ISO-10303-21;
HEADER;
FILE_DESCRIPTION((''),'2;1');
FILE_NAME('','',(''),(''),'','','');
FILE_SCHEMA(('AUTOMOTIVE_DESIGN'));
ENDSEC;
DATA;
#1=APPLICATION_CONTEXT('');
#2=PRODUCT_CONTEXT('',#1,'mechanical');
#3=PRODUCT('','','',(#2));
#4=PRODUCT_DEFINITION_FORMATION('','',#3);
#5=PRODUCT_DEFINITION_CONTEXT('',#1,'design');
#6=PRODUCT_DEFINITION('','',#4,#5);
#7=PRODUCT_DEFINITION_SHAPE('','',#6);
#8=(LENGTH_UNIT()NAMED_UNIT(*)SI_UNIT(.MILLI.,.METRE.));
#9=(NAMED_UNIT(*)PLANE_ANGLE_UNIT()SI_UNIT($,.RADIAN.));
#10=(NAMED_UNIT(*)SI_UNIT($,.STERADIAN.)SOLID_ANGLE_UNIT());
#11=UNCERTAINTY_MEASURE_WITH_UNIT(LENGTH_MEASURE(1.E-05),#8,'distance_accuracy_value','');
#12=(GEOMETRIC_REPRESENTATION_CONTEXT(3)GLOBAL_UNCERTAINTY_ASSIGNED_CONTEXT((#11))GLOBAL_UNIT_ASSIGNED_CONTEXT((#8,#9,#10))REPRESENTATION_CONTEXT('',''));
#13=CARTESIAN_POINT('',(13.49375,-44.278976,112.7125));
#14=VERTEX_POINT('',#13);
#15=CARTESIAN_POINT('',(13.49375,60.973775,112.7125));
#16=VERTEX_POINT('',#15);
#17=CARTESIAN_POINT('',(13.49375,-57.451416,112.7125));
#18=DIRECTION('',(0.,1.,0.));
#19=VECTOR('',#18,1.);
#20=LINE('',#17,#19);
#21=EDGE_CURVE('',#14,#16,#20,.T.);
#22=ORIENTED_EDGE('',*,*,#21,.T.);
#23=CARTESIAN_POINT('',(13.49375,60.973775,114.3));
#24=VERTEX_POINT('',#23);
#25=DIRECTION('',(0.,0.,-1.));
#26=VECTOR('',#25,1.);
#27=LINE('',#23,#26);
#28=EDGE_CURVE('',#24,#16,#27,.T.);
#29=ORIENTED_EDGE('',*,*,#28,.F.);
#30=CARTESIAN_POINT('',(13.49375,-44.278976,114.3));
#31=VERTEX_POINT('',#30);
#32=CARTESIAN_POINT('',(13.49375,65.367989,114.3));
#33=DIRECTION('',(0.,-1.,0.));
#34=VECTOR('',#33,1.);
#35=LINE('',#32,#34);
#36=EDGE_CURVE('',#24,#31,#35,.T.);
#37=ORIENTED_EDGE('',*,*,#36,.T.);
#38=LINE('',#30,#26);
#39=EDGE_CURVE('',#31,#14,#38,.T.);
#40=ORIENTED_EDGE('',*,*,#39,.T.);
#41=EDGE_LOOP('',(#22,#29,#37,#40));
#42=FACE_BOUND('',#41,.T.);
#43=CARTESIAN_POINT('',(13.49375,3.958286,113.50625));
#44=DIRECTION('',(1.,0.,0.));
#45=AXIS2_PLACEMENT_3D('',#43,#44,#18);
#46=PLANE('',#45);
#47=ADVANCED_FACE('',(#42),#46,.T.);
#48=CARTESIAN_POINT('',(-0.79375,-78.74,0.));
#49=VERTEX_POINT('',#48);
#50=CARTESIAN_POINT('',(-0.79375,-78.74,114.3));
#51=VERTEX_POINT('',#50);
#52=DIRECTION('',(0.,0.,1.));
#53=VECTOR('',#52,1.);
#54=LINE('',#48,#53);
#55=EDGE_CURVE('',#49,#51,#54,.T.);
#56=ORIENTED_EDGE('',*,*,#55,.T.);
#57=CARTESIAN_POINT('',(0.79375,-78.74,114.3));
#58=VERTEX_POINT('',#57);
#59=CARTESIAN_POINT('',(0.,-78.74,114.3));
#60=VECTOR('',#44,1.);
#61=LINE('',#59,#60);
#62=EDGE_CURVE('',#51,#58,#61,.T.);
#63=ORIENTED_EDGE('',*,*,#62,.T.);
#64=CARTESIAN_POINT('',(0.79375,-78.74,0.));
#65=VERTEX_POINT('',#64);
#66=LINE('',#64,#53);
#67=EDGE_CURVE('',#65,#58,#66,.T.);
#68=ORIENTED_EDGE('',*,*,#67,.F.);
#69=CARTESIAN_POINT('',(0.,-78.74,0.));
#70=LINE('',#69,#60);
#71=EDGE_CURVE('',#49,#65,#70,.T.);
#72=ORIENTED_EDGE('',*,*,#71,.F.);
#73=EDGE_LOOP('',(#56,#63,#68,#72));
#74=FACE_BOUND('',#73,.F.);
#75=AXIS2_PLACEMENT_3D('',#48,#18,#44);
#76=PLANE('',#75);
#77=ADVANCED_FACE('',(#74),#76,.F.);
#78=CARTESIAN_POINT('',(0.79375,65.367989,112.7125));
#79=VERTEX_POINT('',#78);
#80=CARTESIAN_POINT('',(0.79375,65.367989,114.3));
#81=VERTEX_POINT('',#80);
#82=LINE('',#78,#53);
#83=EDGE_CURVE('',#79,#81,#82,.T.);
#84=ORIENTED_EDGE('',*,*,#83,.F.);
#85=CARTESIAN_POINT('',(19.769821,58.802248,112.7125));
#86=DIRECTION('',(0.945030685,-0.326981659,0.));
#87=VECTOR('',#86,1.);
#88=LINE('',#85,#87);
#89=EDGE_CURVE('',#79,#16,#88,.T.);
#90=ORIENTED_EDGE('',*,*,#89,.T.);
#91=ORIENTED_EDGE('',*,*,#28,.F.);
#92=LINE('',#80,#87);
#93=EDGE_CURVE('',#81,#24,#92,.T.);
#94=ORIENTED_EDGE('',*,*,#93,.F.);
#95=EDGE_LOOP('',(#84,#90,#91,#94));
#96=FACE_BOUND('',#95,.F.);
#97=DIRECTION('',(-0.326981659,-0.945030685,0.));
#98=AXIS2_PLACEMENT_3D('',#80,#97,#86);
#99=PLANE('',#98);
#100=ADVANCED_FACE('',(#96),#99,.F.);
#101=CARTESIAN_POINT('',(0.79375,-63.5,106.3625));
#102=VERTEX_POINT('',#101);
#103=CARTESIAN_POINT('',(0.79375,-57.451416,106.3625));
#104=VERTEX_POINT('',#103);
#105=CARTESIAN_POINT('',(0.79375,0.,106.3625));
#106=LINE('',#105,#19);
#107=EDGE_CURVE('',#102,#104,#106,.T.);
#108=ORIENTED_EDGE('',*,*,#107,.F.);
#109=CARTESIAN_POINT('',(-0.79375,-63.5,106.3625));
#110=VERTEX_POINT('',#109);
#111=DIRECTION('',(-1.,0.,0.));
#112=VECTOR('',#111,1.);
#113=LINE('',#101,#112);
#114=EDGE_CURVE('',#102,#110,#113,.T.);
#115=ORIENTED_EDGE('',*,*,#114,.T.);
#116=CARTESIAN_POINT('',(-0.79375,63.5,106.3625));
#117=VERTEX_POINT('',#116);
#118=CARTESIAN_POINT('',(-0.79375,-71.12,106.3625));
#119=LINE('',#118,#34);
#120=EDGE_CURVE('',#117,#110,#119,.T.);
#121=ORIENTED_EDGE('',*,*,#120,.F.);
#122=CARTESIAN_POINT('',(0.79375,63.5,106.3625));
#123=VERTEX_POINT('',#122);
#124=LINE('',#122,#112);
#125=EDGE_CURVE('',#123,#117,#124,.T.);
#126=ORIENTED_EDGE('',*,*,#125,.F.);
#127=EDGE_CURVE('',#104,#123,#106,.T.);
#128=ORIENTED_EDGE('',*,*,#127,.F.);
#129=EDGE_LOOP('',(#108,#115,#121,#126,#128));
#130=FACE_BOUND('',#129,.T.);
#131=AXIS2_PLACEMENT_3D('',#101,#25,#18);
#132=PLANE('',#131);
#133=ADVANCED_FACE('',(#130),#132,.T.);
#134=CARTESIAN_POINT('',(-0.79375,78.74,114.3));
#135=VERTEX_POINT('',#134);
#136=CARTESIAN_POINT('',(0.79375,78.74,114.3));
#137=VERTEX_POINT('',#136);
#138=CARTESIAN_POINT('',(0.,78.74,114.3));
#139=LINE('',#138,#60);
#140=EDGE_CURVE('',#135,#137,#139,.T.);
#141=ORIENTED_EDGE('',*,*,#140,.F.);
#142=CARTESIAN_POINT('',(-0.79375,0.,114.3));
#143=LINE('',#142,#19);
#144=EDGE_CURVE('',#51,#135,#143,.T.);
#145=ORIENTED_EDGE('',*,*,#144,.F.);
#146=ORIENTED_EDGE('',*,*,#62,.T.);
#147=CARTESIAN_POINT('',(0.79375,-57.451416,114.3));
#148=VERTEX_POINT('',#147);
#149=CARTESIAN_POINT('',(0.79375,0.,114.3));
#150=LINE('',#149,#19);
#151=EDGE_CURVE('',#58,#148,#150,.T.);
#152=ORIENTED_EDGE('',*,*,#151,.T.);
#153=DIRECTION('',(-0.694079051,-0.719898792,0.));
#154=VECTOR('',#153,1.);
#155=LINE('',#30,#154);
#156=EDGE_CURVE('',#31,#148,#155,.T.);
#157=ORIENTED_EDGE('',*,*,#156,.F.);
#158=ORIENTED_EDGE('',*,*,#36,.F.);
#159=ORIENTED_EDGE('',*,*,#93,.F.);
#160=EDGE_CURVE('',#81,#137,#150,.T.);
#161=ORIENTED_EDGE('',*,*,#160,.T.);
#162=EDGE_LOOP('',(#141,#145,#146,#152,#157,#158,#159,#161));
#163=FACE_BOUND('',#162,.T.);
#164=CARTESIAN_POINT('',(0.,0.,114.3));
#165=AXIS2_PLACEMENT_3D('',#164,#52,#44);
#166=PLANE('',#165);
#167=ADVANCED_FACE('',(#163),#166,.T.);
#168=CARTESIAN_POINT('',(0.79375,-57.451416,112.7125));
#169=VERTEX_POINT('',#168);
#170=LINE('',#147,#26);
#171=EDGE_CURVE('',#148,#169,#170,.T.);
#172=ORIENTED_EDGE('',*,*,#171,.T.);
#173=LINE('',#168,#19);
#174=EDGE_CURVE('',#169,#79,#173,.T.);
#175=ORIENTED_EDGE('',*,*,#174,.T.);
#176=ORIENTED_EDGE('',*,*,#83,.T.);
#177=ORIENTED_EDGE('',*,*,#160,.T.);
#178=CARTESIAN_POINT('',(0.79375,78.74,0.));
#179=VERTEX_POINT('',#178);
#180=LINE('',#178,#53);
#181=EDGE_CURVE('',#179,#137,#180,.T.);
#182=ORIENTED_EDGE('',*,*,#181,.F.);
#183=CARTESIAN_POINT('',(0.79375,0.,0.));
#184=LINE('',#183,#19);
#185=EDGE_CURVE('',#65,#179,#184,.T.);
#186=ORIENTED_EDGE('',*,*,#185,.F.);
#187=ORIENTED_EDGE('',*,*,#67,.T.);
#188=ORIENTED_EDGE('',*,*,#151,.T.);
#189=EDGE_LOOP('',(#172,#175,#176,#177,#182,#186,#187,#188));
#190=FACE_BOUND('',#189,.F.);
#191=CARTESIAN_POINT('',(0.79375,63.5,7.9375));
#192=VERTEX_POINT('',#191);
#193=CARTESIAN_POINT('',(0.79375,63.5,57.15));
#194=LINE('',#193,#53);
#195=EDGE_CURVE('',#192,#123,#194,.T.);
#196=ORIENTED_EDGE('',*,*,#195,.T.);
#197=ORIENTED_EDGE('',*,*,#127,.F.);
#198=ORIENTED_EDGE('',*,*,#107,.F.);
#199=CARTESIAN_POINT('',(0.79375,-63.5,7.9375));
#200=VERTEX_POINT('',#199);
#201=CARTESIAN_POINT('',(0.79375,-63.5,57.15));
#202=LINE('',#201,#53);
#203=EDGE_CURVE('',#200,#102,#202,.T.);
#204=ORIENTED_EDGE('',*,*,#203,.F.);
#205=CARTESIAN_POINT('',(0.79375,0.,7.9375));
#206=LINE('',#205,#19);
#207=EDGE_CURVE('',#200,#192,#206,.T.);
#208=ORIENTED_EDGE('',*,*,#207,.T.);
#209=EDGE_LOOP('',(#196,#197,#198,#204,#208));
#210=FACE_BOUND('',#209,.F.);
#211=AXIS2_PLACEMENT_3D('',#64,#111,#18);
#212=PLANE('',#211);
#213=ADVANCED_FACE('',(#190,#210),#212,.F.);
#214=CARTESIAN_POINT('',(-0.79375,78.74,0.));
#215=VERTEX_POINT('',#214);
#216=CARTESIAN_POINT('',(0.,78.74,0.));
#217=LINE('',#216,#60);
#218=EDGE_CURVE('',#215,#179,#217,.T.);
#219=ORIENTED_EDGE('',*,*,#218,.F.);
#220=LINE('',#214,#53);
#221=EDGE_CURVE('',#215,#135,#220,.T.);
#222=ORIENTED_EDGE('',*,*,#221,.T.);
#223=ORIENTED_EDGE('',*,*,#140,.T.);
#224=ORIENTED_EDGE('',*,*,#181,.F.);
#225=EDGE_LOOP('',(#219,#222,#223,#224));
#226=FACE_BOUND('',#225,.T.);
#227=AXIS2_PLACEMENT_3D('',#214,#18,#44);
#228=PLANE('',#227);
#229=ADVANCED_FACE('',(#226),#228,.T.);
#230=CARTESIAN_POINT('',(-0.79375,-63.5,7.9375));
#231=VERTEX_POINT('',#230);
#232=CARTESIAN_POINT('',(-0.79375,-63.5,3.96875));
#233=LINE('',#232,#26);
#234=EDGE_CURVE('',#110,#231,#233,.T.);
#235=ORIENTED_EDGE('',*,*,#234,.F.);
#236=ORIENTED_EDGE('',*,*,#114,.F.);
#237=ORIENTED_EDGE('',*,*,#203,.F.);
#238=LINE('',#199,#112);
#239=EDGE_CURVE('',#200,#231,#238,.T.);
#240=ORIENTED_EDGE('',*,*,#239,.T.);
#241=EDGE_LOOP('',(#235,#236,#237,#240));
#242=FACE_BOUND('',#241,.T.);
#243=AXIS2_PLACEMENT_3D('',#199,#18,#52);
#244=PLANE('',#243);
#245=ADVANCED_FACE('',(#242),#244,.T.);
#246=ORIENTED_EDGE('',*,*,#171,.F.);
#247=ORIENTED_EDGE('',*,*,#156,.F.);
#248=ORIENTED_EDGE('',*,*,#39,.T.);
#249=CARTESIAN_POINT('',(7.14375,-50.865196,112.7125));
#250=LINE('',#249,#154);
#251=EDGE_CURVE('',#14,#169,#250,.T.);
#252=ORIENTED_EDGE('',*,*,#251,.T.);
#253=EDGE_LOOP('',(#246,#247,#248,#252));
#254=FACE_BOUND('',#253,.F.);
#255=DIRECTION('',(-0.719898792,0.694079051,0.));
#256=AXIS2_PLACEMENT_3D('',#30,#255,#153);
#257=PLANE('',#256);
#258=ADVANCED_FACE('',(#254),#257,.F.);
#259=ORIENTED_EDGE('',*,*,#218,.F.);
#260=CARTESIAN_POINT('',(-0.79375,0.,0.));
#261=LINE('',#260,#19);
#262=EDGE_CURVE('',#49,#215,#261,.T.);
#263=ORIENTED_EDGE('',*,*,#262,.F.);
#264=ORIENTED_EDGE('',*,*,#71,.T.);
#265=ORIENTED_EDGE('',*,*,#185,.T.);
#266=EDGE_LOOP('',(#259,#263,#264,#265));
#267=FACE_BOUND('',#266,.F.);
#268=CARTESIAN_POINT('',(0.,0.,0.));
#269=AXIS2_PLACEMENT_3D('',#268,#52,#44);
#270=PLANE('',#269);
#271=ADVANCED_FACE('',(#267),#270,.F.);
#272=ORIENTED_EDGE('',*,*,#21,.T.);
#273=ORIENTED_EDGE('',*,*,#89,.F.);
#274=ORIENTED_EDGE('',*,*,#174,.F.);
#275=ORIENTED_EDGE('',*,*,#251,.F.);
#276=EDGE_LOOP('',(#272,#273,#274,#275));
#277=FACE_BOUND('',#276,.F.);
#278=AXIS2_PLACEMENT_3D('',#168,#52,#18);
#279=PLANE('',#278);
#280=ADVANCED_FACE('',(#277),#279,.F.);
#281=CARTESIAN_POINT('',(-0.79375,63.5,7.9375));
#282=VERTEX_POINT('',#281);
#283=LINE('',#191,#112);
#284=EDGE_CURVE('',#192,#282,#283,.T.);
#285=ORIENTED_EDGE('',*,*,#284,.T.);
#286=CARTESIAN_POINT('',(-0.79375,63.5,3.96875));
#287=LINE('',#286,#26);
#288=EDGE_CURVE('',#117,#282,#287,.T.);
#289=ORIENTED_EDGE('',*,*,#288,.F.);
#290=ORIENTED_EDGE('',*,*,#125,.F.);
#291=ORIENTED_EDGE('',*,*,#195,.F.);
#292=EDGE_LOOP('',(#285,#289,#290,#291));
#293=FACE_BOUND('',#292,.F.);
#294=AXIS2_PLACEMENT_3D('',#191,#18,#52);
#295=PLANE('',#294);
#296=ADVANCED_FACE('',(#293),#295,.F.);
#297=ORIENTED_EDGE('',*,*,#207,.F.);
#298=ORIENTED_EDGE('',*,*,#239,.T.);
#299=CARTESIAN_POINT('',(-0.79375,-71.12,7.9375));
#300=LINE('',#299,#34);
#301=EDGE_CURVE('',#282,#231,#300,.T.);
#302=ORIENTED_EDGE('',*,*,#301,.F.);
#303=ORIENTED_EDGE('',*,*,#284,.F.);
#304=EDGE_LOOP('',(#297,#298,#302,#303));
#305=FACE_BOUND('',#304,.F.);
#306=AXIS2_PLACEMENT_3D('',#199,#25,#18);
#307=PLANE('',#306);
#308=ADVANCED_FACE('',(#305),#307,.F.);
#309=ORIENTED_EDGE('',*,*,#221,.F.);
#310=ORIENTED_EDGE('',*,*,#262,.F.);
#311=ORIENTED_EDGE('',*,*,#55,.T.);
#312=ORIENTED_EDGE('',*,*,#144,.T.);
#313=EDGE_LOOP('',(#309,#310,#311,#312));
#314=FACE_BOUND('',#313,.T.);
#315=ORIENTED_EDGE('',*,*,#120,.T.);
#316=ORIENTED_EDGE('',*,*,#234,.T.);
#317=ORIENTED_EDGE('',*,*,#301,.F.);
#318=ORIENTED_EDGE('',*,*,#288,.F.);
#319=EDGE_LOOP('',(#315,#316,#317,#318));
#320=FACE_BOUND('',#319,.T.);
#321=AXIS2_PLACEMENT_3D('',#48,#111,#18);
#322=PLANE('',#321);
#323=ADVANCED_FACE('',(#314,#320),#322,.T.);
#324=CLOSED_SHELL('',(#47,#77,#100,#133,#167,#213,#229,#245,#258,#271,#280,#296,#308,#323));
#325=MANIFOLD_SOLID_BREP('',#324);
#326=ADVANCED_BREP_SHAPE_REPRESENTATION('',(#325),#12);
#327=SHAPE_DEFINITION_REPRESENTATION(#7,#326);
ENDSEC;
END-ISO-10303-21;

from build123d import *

# Parameters (mm, degrees)
F0_W     = 1.5875
F0_H     = 157.48
F1_DEPTH = 114.3
F2_W     = 127
F2_H     = 98.425
F3_DEPTH = 25.4
F5_DEPTH = 12.7
F7_DEPTH = 25.4


with BuildPart() as f1:
    # F0 (on Top) → F1 (new body)
    with BuildSketch(Plane.XY):
        Rectangle(F0_W, F0_H)
    extrude(amount=F1_DEPTH)

    # F2 (on face) → F3 (cut)
    with BuildSketch(Plane.YZ.offset(0.79375)):
        with Locations((0, 57.15)):
            Rectangle(F2_W, F2_H)
    extrude(amount=-F3_DEPTH, mode=Mode.SUBTRACT)

    # F4 (on face) → F5 (join)
    with BuildSketch(Plane.YZ.offset(0.79375)):
        Polygon((65.367989, 114.3), (62.865354, 114.3), (-57.063892, 114.3), (-57.451416, 114.3), (-57.451416, 112.7125), (-57.063892, 112.7125), (62.865354, 112.7125), (65.367989, 112.7125), align=None)
    extrude(amount=F5_DEPTH)

    # F6 (on face) → F7 (cut)
    with BuildSketch(Plane.XY.offset(114.3)):
        Polygon((13.49375, 65.367989), (0.79375, 65.367989), (13.49375, 60.973775), align=None)
        Polygon((13.49375, -44.278976), (0.79375, -57.451416), (13.49375, -57.451416), align=None)
    extrude(amount=-F7_DEPTH, mode=Mode.SUBTRACT)


solid = f1.part
